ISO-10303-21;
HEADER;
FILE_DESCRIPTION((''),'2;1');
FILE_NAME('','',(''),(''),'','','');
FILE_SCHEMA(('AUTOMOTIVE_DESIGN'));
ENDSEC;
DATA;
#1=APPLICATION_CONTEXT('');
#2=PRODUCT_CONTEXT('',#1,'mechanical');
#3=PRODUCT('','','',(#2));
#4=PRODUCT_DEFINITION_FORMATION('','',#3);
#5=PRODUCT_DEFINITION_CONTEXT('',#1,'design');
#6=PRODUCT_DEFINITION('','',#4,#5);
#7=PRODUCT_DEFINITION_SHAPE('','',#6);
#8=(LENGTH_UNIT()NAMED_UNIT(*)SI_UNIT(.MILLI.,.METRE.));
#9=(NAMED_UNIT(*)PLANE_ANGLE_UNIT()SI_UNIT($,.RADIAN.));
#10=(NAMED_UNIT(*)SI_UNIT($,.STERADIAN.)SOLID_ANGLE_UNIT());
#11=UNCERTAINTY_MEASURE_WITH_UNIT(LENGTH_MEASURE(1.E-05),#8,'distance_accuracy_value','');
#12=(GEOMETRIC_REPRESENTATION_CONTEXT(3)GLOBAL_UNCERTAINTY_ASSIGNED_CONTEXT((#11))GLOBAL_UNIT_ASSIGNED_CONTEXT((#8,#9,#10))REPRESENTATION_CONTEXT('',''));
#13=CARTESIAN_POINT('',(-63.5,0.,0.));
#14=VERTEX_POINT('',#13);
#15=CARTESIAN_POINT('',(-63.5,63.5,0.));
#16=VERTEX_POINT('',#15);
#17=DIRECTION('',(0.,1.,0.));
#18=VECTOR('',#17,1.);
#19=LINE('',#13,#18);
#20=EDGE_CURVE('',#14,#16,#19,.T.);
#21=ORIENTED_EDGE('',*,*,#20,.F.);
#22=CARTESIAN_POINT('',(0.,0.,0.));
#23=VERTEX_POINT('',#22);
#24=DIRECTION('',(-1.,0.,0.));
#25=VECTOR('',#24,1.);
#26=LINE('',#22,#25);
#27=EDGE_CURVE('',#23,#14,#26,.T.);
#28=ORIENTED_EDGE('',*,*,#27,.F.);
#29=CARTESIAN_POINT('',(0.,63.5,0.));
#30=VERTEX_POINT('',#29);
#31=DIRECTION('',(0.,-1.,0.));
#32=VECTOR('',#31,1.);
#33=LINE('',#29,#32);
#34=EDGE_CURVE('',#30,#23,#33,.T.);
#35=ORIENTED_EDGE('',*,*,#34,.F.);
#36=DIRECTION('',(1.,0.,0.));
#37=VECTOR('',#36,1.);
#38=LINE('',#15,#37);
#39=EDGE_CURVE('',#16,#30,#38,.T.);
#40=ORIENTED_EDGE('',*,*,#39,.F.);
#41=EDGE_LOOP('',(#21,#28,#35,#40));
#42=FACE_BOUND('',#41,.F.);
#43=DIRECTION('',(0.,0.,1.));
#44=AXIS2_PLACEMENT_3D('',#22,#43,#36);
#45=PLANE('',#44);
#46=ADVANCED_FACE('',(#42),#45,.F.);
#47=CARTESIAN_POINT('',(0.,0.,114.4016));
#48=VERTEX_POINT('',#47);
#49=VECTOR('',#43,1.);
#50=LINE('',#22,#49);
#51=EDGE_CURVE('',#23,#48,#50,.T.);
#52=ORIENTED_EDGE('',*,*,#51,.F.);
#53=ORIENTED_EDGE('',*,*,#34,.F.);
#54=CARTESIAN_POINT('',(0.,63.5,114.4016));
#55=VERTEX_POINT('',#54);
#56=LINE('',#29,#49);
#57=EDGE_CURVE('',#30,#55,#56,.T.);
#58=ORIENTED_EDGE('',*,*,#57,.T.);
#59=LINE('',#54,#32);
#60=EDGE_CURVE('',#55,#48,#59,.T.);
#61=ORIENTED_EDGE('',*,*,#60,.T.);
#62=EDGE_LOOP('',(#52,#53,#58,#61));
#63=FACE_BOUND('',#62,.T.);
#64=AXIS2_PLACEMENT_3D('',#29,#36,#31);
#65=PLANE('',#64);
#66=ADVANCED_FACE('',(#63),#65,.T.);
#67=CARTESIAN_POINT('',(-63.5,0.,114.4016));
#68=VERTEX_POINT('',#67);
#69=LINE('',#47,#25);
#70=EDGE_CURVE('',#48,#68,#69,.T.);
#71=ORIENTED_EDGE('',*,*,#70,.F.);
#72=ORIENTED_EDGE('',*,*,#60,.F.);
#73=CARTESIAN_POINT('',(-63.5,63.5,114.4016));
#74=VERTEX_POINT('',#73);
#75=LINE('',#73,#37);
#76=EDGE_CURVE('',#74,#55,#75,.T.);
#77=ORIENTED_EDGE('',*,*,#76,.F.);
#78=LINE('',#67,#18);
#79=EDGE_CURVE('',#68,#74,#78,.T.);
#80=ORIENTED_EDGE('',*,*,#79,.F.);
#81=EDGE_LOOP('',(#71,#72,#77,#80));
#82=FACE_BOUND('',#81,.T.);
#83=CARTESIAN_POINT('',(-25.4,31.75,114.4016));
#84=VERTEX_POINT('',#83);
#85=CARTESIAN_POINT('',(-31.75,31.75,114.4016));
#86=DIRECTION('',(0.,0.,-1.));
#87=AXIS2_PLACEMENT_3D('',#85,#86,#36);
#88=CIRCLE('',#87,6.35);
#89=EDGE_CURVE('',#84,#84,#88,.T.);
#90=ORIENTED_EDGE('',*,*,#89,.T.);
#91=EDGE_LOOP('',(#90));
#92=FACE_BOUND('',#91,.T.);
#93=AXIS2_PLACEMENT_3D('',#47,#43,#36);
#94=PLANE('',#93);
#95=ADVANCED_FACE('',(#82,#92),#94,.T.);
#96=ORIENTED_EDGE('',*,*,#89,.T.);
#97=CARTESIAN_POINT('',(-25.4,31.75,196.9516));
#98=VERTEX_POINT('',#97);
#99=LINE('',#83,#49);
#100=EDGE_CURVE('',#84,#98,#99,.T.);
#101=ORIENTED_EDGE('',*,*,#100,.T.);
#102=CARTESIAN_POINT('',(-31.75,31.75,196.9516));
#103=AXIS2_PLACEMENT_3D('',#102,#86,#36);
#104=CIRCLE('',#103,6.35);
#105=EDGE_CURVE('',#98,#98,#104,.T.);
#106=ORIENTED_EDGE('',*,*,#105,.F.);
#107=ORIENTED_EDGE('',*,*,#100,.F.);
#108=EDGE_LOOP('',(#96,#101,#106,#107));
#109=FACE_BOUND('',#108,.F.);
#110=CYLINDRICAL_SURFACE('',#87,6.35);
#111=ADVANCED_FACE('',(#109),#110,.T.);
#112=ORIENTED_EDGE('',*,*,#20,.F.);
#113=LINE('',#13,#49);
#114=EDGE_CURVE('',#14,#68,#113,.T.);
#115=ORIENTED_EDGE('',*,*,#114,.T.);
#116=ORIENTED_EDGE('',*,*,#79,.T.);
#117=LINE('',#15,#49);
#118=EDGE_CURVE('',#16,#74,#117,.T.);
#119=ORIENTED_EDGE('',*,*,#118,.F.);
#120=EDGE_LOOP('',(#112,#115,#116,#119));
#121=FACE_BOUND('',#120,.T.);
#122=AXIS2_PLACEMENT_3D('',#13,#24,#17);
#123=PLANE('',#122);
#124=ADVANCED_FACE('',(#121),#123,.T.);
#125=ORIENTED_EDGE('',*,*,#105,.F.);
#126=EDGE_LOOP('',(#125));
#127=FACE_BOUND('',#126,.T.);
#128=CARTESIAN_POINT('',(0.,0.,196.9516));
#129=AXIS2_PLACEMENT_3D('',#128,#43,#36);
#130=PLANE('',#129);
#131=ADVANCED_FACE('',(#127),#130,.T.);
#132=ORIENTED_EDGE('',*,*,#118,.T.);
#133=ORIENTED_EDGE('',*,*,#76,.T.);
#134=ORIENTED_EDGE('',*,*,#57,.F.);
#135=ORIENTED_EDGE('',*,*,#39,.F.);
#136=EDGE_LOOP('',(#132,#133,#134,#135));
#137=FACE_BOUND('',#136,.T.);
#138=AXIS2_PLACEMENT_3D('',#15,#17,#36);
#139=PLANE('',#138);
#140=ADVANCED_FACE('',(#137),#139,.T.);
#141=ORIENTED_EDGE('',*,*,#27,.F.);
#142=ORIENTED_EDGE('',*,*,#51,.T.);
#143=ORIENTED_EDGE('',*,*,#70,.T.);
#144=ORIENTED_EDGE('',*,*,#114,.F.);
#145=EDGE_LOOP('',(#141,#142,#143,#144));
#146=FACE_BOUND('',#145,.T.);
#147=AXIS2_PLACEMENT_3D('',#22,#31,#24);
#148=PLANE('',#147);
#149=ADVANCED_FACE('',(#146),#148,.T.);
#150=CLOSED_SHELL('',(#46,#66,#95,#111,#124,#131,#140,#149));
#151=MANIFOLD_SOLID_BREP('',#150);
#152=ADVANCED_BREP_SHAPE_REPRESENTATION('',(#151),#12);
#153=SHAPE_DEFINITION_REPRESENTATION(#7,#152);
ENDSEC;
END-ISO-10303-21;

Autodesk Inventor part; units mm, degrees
ref_plane "YZ Plane" through (0, 0, 0) normal (1, 0, 0) x (0, 1, 0)
ref_plane "XZ Plane" through (0, 0, 0) normal (0, 1, 0) x (-1, 0, 0)
ref_plane "XY Plane" through (0, 0, 0) normal (0, 0, 1) x (1, 0, 0)
sketch "Sketch1" plane through (0, 0, 0) normal (0, 0, 1) x (1, 0, 0)
  line L0 (0, 0) -> (-63.5, 0)
  line L1 (-63.5, 0) -> (-63.5, 63.5)
  line L2 (-63.5, 63.5) -> (0, 63.5)
  line L3 (0, 63.5) -> (0, 0)
  dimension "d0" = 63.5
  dimension "d1" = 63.5
extrude "Extrusion1" add sketch "Sketch1" along normal blind 114.4016
sketch "Sketch2" plane through (0, 0, 114.4016) normal (0, 0, 1) x (1, 0, 0)
  line L0 (-63.5, 63.5) -> (-63.5, 0) projected
  line L1 (-63.5, 31.75) -> (-31.75, 31.75)
  circle A0 centre (-31.75, 31.75) radius 6.35
  dimension "d4" = 12.7
extrude "Extrusion2" add sketch "Sketch2" along normal blind 82.55
properties part number "horrible gearbox"
